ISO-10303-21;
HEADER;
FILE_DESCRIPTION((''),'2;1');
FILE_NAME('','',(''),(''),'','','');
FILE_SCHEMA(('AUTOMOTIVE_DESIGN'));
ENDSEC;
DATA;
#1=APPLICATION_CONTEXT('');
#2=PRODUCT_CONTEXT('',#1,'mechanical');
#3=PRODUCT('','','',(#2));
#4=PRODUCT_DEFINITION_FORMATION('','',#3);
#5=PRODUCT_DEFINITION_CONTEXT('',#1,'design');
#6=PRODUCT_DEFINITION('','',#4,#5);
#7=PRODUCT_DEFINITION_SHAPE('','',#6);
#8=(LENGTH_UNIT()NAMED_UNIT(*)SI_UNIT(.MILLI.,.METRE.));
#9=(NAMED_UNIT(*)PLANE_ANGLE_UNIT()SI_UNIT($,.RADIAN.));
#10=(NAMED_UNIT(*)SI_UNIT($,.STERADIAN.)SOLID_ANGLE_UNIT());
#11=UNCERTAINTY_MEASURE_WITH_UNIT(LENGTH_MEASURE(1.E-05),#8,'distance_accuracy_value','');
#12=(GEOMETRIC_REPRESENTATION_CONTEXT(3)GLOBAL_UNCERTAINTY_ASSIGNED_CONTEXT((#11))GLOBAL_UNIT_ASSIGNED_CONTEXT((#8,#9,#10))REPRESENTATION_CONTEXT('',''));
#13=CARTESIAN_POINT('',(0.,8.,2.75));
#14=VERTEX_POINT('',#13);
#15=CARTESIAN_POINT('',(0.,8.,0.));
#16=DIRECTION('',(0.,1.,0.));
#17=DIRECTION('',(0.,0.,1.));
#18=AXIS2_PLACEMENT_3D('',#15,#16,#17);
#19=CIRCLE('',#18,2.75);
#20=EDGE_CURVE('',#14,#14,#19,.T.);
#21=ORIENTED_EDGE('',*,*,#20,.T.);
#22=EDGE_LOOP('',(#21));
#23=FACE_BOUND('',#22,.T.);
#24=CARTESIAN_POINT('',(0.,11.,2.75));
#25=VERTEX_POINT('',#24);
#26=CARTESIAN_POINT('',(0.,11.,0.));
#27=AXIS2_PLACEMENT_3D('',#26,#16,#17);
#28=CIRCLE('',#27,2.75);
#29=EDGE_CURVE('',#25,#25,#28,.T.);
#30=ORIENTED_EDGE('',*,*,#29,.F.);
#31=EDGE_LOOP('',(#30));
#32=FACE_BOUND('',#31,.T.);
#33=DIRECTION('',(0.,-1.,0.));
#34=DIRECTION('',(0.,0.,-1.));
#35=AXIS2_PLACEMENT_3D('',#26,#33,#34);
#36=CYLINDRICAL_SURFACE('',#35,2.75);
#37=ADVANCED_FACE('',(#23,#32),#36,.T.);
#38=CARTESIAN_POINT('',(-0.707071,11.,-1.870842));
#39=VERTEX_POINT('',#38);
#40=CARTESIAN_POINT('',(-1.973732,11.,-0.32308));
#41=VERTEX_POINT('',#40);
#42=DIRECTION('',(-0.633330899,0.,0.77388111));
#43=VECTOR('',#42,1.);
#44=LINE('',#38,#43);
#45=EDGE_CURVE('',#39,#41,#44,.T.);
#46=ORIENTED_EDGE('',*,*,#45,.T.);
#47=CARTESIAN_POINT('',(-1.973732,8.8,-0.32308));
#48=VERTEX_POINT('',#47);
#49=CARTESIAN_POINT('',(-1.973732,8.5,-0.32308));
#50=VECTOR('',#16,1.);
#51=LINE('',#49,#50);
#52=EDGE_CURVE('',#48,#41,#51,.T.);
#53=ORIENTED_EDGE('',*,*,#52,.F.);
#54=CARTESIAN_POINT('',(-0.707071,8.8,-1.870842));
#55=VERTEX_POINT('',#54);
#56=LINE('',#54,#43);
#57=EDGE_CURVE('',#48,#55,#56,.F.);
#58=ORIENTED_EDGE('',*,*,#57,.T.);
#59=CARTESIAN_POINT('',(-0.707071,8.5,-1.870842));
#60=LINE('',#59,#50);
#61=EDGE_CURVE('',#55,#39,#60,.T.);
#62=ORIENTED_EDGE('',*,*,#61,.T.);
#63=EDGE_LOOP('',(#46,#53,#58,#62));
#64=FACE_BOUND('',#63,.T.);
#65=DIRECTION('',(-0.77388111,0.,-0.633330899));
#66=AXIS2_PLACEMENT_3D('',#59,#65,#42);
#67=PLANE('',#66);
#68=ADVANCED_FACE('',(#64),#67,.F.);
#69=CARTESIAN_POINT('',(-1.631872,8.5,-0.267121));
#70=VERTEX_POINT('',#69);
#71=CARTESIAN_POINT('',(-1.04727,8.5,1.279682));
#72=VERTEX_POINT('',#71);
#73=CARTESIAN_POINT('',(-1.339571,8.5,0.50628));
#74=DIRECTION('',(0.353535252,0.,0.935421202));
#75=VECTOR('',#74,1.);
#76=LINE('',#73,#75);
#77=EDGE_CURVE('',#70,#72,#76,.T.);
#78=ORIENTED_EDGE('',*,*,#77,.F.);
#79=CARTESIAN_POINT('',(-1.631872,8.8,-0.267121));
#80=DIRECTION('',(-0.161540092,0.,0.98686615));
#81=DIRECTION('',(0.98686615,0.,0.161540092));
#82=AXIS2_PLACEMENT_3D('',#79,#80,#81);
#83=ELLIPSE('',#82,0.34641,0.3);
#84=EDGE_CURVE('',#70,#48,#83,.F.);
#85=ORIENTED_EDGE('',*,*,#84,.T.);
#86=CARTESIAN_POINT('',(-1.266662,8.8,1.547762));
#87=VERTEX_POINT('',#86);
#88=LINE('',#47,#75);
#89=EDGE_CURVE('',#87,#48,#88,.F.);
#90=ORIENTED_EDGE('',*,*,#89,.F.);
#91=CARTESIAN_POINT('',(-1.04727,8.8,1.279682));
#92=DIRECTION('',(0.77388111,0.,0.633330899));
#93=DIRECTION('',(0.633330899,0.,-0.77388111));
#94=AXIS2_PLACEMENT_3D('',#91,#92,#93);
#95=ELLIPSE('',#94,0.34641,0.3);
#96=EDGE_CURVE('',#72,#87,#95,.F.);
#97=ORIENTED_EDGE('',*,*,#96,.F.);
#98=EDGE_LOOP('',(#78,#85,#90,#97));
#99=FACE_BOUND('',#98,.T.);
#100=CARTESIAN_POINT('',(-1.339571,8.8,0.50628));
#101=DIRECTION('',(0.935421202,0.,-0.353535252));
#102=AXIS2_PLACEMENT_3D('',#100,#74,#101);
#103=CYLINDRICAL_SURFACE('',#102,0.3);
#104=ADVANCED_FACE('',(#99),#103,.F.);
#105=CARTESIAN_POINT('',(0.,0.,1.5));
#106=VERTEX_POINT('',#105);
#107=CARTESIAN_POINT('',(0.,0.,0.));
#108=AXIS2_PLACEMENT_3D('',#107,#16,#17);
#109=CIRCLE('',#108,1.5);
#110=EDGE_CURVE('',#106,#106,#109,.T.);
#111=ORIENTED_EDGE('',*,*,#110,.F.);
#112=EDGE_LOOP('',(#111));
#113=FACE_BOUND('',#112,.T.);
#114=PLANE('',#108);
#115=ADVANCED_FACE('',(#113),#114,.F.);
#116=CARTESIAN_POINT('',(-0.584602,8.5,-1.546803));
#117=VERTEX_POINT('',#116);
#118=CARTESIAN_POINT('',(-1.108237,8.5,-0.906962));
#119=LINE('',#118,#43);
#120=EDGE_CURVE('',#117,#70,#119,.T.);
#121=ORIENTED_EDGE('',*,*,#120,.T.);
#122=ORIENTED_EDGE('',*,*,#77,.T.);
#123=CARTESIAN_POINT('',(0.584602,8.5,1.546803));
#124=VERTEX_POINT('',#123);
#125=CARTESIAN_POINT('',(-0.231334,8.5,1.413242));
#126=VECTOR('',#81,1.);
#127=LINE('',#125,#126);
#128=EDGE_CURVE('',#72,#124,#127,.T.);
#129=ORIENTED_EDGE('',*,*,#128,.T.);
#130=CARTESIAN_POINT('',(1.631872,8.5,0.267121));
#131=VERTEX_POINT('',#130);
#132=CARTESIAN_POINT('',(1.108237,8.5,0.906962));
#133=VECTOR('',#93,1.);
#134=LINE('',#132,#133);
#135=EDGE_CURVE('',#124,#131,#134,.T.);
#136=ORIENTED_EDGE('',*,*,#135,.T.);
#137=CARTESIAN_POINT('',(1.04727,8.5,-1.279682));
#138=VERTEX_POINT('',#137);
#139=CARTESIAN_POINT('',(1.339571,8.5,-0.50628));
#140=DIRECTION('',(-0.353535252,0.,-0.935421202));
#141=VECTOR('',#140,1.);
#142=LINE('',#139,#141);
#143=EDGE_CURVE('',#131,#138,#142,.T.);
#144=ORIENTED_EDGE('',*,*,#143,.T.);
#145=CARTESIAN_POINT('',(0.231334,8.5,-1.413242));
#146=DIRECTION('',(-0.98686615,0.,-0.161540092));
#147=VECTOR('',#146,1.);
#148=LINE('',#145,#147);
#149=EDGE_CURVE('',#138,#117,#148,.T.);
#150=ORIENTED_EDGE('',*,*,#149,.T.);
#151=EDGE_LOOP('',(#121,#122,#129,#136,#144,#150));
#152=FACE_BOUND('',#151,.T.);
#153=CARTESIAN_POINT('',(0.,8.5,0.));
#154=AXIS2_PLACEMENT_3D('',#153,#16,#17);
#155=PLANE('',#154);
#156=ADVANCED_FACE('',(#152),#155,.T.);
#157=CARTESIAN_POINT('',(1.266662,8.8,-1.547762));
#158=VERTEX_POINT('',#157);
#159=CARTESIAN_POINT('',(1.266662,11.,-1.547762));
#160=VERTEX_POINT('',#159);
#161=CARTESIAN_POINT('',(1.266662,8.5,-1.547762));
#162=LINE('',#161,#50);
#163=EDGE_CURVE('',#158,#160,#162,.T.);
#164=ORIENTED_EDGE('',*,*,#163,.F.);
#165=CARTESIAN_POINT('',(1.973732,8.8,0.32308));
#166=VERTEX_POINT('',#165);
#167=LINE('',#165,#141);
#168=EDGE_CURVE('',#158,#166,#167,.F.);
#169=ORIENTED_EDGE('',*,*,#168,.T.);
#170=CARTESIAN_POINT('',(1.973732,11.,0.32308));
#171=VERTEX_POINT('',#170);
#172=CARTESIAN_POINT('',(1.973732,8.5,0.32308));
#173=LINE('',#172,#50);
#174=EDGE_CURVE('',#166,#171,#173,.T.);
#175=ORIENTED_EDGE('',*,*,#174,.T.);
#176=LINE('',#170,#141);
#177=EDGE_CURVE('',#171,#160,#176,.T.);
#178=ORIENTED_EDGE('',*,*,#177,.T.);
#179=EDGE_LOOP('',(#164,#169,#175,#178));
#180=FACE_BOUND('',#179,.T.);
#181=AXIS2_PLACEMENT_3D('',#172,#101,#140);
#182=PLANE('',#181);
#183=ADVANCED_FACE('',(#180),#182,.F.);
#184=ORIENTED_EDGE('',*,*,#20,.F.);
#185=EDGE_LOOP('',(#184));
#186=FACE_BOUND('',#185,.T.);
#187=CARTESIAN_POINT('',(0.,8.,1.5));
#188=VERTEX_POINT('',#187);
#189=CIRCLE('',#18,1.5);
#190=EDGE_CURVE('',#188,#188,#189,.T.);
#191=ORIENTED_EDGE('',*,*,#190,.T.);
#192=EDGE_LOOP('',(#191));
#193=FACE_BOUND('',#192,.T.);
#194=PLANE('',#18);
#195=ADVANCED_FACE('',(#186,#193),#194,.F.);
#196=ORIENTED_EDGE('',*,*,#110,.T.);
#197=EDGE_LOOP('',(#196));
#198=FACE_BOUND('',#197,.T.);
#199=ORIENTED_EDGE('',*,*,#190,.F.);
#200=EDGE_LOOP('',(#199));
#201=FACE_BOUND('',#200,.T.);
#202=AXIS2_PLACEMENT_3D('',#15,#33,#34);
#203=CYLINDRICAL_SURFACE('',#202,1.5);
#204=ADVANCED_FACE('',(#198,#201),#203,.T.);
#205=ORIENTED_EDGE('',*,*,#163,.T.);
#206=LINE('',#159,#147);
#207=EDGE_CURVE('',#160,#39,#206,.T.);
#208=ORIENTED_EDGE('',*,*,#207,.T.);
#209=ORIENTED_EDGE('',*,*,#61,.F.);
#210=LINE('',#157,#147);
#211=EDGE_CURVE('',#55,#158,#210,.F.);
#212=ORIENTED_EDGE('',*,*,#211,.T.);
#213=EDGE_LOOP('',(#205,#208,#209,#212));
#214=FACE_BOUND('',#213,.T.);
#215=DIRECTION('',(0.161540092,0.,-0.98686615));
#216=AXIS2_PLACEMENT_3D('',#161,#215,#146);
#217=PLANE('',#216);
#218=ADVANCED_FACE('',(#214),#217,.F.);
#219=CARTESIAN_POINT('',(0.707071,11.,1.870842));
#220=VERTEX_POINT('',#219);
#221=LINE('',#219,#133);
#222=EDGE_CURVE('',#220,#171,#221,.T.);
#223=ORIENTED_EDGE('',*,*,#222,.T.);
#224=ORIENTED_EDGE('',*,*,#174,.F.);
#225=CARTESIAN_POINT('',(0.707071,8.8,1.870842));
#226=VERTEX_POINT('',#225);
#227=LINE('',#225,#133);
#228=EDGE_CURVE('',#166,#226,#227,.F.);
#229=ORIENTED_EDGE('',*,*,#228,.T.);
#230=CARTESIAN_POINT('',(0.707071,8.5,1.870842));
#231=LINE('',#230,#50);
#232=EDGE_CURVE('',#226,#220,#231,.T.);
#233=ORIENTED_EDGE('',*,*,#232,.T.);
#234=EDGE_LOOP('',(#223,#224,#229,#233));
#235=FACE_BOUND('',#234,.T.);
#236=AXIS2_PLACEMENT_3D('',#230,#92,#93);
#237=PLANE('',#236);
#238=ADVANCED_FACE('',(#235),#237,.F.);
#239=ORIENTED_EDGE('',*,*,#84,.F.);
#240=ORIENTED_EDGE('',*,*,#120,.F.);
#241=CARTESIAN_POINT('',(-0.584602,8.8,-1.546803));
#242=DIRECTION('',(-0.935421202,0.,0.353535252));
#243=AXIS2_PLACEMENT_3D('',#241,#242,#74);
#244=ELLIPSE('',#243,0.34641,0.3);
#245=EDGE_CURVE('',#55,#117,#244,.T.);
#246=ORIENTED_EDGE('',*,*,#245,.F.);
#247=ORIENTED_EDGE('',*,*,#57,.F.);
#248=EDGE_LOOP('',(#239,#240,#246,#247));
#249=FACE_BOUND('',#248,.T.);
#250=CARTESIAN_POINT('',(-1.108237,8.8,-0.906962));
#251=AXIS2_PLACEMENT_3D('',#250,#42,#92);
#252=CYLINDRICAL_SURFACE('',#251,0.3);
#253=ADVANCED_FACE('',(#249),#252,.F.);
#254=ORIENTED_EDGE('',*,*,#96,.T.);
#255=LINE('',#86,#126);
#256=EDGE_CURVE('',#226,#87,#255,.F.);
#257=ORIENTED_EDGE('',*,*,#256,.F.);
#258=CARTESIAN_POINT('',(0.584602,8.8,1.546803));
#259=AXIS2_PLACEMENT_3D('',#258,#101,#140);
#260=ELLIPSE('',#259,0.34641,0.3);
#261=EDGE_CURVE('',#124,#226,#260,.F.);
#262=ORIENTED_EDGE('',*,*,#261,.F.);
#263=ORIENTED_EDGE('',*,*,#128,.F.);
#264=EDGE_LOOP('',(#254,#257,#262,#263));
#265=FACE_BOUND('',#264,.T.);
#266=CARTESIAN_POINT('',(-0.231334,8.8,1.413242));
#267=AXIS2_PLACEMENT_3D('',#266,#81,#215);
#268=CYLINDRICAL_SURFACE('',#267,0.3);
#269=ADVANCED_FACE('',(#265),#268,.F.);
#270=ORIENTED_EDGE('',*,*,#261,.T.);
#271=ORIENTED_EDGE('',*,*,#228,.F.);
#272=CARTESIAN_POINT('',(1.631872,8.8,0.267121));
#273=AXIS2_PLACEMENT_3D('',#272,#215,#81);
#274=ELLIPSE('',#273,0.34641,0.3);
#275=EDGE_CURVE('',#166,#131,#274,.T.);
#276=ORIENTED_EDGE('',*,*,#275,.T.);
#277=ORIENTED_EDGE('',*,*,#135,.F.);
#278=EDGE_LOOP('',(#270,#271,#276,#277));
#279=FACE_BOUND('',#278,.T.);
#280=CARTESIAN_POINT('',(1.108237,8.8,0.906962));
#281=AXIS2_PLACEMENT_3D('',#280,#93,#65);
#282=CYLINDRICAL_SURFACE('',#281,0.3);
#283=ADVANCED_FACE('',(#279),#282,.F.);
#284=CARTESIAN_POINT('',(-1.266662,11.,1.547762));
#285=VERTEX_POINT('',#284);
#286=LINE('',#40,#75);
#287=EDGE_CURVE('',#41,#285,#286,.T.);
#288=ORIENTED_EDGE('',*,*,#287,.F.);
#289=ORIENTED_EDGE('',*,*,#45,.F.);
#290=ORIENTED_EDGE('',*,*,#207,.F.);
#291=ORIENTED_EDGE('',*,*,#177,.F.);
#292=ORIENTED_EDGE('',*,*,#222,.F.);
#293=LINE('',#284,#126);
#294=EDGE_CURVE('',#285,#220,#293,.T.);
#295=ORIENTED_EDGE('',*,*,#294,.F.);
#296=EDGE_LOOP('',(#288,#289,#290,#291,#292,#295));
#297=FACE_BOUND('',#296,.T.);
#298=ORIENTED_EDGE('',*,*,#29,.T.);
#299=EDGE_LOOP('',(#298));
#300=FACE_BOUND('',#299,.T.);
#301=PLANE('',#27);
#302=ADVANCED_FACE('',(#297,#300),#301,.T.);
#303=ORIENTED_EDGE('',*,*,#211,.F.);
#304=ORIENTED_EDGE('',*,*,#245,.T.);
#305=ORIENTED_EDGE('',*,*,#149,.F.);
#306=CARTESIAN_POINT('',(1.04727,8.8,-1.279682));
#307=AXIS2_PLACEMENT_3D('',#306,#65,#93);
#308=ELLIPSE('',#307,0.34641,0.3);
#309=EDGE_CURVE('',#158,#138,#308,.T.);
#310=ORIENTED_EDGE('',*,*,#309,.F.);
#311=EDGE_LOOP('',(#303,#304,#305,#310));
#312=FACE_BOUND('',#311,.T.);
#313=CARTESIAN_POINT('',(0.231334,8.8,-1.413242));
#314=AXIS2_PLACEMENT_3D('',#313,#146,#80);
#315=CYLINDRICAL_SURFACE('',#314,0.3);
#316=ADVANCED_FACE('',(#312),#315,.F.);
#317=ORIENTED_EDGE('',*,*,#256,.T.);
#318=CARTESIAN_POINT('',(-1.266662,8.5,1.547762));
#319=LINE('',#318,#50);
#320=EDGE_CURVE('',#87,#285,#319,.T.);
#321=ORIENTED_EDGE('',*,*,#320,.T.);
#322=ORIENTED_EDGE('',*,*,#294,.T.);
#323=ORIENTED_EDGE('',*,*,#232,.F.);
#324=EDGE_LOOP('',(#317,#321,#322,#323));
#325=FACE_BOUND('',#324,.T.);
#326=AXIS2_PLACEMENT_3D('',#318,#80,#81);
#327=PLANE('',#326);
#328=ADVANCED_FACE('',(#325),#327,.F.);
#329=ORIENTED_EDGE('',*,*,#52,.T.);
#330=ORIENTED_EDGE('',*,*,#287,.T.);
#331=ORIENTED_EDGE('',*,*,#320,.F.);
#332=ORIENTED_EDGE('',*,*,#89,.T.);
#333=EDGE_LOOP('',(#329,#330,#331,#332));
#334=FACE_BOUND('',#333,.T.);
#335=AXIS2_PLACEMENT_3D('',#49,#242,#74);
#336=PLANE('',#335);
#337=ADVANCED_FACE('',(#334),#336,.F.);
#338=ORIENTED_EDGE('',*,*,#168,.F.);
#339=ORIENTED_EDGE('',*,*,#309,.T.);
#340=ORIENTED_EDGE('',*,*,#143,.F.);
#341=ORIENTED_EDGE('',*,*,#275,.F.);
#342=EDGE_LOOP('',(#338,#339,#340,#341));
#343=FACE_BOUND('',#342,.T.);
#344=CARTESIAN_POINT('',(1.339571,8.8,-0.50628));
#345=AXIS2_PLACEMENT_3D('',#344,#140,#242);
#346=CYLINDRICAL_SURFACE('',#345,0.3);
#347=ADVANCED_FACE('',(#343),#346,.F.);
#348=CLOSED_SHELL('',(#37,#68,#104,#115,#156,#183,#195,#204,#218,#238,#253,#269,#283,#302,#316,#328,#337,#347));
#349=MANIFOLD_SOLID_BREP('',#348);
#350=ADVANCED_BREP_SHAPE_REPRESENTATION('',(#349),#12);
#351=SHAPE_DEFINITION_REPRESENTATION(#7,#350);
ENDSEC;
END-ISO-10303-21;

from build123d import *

# Parameters (mm, degrees)
SKETCH_1_R          = 1.5
EXTRUDE_1_DEPTH     = 8
SKETCH_2_R          = 2.75
EXTRUDE_2_DEPTH     = 3
CUT_EXTRUDE_1_DEPTH = 2.5
FILLET_1_R          = 0.3


with BuildPart() as part:
    # 草图1 → 凸台-拉伸1 (new body)
    with BuildSketch(Plane(origin=(0, 0, 0), x_dir=(1, 0, 0), z_dir=(0, 1, 0))):
        Circle(SKETCH_1_R)
    extrude(amount=EXTRUDE_1_DEPTH)

    # 草图2 → 凸台-拉伸2 (add)
    with BuildSketch(Plane(origin=(0, 8, 0), x_dir=(1, 0, 0), z_dir=(0, 1, 0))):
        Circle(SKETCH_2_R)
    extrude(amount=EXTRUDE_2_DEPTH)

    # 草图3 → 切除-拉伸1 (cut)
    with BuildSketch(Plane(origin=(0, 11, 0), x_dir=(1, 0, 0), z_dir=(0, 1, 0))):
        Polygon((1.973732301, -0.323080184), (1.266661797, 1.54776222), (-0.707070503, 1.870842405), (-1.973732301, 0.323080184), (-1.266661797, -1.54776222), (0.707070503, -1.870842405), align=None)
    extrude(amount=-CUT_EXTRUDE_1_DEPTH, mode=Mode.SUBTRACT)

    # 圆角1
    fillet_1_edges = [part.edges().sort_by_distance(p)[0] for p in [
        (1.340401402, 8.5, 1.096961295),
        (-0.279795647, 8.5, 1.709302313),
        (-1.620197049, 8.5, 0.612341018),
        (-1.340401402, 8.5, -1.096961295),
        (0.279795647, 8.5, -1.709302313),
        (1.620197049, 8.5, -0.612341018),
    ]]
    fillet(fillet_1_edges, radius=FILLET_1_R)


solid = part.part
